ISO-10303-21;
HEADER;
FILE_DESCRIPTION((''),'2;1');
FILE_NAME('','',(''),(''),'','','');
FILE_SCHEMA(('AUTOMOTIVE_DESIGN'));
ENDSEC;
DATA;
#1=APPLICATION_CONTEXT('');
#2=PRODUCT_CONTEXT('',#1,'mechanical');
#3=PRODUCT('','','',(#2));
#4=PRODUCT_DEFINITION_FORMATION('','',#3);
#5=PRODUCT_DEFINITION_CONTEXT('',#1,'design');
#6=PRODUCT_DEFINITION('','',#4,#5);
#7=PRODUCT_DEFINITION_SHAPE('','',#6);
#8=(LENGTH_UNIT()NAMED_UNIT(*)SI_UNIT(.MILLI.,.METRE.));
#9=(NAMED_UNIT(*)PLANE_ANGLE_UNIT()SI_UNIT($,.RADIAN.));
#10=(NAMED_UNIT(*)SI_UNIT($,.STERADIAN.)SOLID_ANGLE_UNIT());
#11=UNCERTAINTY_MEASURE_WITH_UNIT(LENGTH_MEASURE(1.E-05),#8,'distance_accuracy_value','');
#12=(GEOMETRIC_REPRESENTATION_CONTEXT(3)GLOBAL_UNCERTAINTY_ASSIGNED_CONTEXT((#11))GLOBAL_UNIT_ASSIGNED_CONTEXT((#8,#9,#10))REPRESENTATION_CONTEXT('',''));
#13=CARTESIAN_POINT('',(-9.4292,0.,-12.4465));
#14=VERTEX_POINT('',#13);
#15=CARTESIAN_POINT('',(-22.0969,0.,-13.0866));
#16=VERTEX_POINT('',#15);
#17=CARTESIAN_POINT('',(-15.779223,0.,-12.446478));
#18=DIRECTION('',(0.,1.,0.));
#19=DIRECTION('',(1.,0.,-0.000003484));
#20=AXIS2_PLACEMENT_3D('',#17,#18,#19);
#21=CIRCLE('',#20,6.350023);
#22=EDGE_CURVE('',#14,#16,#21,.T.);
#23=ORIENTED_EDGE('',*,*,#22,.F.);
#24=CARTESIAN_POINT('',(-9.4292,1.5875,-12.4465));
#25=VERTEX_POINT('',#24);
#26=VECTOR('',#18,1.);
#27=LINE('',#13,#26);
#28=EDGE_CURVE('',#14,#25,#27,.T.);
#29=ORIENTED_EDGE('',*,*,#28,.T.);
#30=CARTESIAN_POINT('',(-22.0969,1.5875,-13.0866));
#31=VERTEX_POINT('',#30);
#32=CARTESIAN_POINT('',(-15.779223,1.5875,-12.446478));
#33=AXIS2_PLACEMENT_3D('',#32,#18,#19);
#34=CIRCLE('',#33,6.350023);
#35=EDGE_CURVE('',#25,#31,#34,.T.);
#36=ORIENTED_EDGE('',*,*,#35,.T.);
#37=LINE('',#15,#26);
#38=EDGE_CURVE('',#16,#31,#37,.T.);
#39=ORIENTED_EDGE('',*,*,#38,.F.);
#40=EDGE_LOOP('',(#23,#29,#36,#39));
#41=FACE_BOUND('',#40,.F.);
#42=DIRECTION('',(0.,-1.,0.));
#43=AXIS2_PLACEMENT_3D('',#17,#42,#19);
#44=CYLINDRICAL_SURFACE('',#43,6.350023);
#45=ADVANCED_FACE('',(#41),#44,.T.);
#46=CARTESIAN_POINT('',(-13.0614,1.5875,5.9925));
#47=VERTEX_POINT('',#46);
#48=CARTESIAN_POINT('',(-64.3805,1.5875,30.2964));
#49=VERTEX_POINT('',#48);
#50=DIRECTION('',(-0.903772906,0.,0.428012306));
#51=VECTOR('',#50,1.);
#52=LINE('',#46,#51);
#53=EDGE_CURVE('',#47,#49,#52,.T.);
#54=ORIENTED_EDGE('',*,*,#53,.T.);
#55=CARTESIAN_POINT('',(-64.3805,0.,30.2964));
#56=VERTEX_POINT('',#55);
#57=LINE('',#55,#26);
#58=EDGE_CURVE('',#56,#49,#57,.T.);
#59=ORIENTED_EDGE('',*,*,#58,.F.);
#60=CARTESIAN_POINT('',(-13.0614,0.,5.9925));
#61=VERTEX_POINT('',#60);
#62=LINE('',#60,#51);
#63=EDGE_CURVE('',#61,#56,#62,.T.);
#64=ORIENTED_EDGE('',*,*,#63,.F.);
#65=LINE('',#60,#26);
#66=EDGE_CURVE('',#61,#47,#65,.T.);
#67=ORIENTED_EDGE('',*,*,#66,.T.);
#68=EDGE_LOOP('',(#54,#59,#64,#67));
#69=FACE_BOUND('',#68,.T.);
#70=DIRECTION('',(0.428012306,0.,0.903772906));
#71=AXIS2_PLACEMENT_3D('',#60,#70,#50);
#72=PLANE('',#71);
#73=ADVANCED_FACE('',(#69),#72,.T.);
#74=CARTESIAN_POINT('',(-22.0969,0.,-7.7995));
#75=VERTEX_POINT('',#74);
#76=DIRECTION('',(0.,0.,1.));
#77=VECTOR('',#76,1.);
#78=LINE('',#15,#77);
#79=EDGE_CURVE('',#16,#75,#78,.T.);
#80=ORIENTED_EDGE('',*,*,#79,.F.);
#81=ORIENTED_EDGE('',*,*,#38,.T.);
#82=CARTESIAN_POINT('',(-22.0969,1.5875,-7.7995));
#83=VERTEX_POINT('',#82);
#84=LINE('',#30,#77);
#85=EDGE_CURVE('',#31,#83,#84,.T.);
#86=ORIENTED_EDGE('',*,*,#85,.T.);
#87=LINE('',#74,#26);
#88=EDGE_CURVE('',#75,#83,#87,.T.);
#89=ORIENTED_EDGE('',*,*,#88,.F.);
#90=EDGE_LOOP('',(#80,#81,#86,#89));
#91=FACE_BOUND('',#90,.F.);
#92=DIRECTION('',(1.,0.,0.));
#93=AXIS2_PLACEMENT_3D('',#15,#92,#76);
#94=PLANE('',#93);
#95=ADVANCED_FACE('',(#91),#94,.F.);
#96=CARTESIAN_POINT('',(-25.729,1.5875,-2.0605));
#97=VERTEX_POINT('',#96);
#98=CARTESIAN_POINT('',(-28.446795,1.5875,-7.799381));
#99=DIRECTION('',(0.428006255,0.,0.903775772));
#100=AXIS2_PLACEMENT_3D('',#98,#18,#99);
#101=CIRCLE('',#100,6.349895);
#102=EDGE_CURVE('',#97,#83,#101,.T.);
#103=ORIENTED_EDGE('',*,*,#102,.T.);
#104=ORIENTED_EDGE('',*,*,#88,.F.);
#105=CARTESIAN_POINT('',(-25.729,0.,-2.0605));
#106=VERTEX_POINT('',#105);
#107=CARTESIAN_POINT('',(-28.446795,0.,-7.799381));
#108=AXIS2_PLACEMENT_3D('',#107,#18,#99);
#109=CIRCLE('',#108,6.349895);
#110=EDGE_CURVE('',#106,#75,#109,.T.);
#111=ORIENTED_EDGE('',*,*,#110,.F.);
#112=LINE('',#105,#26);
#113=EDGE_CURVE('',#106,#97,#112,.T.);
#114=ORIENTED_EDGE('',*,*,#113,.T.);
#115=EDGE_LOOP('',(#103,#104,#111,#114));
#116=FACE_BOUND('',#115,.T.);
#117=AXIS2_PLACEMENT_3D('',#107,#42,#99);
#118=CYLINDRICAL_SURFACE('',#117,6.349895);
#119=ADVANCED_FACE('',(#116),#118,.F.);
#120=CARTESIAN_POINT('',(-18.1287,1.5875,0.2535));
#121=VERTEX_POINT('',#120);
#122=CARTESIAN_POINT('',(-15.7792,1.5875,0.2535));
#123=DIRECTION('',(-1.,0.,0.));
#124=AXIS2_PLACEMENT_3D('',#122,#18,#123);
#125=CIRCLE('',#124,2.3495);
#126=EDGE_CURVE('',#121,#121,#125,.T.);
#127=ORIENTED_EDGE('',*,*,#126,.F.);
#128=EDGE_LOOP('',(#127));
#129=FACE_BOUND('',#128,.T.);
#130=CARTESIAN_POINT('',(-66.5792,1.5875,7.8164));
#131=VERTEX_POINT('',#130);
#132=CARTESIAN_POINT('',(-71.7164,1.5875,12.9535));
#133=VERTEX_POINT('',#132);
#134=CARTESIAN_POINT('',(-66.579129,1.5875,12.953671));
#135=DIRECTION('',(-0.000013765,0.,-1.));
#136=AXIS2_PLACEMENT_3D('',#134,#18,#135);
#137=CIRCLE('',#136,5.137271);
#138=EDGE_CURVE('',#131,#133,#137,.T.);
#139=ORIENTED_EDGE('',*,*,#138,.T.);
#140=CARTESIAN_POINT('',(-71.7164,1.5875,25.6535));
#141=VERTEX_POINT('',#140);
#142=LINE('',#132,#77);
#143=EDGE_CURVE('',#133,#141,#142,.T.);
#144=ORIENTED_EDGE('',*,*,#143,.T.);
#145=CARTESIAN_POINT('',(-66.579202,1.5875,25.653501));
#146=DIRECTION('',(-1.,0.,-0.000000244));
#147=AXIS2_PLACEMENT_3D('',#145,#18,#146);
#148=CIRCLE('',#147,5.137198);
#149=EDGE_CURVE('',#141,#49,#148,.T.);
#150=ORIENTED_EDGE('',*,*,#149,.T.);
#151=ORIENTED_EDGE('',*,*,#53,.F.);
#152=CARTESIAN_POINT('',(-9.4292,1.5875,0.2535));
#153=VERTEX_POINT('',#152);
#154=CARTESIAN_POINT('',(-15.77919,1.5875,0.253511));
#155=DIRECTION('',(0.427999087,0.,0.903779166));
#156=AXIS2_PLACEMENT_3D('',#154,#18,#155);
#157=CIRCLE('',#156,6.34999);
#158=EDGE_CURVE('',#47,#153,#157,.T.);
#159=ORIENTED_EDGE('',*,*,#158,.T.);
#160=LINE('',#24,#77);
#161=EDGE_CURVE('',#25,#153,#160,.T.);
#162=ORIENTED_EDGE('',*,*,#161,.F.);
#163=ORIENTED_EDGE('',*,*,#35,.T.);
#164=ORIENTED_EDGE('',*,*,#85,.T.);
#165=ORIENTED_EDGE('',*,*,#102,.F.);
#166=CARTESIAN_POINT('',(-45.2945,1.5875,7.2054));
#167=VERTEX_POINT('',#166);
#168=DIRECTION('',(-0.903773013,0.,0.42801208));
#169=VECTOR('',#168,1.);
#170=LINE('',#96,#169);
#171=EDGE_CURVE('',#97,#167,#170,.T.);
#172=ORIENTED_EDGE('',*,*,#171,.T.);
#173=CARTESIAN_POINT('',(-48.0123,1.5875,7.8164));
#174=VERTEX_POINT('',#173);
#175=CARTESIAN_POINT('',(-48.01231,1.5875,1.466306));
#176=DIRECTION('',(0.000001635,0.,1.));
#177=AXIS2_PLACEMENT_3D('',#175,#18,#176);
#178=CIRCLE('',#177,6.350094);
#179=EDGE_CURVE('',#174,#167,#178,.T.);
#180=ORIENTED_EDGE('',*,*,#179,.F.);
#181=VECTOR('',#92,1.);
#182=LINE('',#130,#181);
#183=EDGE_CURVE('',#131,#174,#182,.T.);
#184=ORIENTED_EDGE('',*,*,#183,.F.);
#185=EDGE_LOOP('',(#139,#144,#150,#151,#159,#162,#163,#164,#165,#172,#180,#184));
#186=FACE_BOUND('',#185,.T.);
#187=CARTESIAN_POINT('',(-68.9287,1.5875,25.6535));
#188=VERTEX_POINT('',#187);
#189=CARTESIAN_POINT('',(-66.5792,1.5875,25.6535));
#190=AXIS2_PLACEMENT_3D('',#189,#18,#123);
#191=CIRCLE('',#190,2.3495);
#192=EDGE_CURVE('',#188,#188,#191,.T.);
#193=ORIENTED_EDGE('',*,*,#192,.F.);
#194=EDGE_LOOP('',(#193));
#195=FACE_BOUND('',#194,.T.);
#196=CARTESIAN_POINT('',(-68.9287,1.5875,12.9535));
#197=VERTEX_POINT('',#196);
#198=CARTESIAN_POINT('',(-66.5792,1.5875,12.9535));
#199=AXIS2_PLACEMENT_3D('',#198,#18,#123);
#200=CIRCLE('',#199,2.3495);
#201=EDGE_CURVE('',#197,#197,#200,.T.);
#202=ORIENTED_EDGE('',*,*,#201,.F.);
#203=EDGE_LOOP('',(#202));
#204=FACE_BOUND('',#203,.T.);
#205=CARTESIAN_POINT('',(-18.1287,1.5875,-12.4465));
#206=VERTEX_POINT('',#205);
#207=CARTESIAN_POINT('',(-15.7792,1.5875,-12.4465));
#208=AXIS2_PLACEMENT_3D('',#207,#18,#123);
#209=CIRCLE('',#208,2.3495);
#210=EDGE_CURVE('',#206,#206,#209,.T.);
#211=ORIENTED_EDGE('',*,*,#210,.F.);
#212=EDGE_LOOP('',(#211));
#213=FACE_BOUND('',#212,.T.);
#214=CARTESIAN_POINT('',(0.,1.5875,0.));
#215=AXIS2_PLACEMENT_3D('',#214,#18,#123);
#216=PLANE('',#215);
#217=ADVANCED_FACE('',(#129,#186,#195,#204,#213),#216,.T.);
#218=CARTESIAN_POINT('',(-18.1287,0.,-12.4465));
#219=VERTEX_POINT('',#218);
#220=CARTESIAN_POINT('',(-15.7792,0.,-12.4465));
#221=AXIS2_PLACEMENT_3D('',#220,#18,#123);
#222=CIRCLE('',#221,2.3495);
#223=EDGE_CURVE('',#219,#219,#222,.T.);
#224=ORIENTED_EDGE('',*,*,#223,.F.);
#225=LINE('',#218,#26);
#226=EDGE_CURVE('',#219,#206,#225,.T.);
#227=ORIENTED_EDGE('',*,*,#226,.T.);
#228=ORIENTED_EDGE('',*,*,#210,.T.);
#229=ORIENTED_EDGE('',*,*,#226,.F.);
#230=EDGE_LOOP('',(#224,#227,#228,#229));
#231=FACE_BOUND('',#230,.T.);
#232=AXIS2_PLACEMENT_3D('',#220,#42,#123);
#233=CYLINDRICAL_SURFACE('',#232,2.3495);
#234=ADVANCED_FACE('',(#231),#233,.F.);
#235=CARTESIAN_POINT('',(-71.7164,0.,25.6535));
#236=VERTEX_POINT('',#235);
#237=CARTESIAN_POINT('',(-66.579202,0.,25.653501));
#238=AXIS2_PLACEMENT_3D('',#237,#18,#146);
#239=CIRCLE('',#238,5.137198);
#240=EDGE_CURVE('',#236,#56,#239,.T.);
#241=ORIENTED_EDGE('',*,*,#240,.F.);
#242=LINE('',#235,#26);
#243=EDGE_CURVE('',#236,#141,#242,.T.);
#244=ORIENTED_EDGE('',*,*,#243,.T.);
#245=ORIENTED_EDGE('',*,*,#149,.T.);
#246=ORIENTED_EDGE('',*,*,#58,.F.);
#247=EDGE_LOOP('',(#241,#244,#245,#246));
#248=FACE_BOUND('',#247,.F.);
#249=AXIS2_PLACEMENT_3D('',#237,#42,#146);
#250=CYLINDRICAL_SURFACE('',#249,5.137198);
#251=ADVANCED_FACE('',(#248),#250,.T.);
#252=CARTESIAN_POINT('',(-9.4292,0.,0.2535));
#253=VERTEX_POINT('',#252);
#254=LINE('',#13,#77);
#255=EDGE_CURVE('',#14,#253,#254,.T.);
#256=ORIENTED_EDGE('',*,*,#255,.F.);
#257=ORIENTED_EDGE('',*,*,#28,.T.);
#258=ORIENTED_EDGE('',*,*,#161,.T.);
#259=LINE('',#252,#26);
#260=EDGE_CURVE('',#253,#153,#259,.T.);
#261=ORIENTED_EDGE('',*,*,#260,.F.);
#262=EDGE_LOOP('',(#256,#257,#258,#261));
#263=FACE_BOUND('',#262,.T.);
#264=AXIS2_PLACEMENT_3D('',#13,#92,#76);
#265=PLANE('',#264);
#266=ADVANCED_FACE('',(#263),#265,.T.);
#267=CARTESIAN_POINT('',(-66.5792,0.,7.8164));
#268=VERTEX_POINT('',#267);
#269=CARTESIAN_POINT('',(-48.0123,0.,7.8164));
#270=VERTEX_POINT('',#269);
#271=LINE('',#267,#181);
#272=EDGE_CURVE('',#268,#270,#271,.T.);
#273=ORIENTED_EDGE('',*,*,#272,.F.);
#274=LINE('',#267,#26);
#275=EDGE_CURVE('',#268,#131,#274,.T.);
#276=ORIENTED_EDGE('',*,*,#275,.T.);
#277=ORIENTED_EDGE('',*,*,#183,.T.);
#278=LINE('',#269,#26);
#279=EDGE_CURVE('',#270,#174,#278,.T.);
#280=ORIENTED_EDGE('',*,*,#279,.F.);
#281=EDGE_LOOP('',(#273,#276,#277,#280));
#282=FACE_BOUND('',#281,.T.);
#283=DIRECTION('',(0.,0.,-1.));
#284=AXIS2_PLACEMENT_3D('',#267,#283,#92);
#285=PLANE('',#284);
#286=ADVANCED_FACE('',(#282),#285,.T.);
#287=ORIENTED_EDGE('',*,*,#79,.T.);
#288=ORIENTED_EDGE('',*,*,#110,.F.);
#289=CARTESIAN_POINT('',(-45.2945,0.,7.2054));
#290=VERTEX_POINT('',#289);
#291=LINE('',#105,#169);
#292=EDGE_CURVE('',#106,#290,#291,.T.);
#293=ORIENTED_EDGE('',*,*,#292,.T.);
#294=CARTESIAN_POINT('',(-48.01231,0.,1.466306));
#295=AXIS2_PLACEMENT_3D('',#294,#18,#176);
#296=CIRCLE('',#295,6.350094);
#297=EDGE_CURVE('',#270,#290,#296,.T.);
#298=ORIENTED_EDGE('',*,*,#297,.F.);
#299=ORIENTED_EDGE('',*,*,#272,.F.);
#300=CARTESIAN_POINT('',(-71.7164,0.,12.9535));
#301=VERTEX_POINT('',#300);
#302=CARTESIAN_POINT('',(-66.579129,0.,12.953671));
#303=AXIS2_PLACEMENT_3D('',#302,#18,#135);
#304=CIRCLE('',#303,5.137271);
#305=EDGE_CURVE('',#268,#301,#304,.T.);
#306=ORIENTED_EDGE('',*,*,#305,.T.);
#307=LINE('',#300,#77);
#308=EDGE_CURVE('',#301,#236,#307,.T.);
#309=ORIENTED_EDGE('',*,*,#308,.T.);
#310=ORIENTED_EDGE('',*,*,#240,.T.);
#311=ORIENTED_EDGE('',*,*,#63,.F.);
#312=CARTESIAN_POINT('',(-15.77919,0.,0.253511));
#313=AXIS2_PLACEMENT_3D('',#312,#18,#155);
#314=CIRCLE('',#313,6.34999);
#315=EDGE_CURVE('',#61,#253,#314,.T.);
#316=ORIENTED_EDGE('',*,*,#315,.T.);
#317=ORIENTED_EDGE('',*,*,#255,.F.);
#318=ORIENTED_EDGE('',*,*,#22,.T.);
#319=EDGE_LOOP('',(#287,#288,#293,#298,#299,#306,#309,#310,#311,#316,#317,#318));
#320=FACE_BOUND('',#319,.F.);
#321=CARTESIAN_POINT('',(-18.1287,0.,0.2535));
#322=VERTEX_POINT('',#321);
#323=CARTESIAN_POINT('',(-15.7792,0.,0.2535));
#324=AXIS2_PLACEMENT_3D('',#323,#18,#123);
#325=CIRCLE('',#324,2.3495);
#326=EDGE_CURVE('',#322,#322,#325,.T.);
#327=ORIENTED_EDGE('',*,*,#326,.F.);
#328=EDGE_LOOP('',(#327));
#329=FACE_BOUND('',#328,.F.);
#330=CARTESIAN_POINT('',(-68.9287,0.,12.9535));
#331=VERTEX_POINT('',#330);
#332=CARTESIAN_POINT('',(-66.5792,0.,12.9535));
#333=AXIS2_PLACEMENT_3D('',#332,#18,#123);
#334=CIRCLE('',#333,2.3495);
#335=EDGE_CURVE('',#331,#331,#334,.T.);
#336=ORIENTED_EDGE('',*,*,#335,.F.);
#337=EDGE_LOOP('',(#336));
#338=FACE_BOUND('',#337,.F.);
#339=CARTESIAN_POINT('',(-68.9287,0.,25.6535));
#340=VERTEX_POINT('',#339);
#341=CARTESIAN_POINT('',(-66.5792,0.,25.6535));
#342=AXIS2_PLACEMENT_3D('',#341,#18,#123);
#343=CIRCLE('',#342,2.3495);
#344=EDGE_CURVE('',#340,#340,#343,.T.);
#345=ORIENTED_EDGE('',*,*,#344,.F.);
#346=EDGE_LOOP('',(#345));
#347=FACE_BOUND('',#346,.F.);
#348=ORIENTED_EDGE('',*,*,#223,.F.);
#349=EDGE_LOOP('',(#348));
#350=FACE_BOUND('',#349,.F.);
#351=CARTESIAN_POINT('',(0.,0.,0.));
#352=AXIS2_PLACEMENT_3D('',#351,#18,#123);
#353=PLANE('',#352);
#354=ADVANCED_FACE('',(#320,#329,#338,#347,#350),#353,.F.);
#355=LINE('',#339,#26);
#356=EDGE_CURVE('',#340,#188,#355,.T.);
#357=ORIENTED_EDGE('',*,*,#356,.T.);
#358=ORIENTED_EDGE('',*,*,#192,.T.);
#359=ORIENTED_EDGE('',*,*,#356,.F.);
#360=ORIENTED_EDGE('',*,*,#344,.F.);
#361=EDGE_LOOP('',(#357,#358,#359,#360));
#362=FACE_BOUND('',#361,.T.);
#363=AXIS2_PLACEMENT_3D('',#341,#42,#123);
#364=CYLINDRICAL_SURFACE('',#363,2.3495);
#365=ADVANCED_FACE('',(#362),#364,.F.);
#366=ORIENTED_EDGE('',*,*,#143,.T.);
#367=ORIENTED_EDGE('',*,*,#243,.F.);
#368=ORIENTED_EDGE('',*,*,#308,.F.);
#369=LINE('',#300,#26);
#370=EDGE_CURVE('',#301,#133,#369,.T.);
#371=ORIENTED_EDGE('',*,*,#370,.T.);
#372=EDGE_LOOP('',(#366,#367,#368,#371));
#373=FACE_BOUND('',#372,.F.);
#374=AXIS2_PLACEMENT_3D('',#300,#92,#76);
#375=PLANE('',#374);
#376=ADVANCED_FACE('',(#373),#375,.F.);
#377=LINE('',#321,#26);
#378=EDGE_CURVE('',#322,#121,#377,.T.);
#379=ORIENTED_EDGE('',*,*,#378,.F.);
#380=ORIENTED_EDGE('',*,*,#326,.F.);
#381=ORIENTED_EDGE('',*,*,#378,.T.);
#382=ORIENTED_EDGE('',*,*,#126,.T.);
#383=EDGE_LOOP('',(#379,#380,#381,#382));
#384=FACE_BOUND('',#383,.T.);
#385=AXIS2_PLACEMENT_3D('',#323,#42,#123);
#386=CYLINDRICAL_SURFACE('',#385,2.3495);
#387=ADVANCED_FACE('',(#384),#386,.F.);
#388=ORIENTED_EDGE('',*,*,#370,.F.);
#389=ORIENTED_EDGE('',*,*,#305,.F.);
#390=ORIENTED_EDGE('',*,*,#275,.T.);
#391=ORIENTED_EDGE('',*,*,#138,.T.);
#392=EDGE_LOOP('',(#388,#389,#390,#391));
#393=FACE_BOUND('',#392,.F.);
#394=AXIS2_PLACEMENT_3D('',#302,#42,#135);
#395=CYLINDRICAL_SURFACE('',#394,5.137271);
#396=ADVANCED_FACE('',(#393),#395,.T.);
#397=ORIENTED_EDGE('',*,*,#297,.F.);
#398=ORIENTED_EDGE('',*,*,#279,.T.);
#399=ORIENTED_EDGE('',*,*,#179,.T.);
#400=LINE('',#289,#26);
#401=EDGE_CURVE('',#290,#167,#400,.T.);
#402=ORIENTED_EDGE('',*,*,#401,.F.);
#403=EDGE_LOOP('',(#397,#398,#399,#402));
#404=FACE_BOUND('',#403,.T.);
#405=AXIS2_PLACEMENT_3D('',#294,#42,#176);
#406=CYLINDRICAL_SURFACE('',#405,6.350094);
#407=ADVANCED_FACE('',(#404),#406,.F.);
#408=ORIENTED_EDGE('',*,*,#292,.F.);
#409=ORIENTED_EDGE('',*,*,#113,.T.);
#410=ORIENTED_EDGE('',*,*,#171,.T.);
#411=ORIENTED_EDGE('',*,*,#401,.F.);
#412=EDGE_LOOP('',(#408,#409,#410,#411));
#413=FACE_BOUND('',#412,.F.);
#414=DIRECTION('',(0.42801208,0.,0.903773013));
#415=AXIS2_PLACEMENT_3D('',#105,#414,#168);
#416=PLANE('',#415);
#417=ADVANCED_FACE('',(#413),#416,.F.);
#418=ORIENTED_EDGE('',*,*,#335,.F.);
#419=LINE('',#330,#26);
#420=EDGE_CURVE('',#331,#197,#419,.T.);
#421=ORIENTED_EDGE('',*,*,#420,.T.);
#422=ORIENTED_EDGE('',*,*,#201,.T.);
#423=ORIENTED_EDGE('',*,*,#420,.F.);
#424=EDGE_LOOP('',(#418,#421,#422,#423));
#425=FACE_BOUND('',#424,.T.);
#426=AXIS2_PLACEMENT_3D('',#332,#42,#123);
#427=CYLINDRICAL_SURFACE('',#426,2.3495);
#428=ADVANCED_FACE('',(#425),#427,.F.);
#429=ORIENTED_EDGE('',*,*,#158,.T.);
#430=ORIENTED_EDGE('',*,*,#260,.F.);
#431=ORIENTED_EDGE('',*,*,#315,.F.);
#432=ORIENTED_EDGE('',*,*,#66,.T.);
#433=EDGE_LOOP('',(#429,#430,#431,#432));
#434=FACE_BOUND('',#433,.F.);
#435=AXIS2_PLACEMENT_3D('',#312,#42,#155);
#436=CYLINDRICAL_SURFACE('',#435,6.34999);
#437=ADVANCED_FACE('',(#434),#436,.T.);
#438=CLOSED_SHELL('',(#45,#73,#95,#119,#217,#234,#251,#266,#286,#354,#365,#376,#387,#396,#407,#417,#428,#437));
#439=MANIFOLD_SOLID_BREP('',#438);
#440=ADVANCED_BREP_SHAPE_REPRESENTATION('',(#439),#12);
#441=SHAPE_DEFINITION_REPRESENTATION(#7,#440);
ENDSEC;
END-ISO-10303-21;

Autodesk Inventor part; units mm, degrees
ref_plane "YZ Plane" through (0, 0, 0) normal (1, 0, 0) x (0, 1, 0)
ref_plane "XZ Plane" through (0, 0, 0) normal (0, 1, 0) x (-1, 0, 0)
ref_plane "XY Plane" through (0, 0, 0) normal (0, 0, 1) x (1, 0, 0)
sketch "Sketch1" plane through (0, 0, 0) normal (0, 1, 0) x (-1, 0, 0)
  circle A0 centre (15.7792, 0.2535) radius 2.1844 construction
  circle A1 centre (66.5792, 25.6535) radius 2.1844 construction
  circle A2 centre (66.5792, 12.9535) radius 2.1844 construction
  circle A3 centre (15.7792, -12.4465) radius 2.1844 construction
  circle A4 centre (15.7792, -12.4465) radius 2.3495
  circle A5 centre (15.7792, 0.2535) radius 2.3495
  circle A6 centre (66.5792, 12.9535) radius 2.3495
  circle A7 centre (66.5792, 25.6535) radius 2.3495
  line L0 (71.7164, -18.7965) -> (71.7164, 32.0035) construction
  arc A8 (71.7164, 25.6535) -> (64.3805, 30.2964) centre (66.5792, 25.6535) ccw
  arc A9 (9.4292, -12.4465) -> (22.0969, -13.0866) centre (15.7792, -12.4465) ccw
  line L1 (71.7164, 12.9535) -> (71.7164, 25.6535)
  line L2 (9.4292, -12.4465) -> (9.4292, 0.2535)
  line L3 (13.0614, 5.9925) -> (64.3805, 30.2964)
  line L4 (66.5792, 7.8164) -> (48.0123, 7.8164)
  line L5 (25.729, -2.0605) -> (45.2945, 7.2054)
  line L6 (22.0969, -13.0866) -> (22.0969, -7.7995)
  arc A10 (13.0614, 5.9925) -> (9.4292, 0.2535) centre (15.7792, 0.2535) ccw
  arc A11 (66.5792, 7.8164) -> (71.7164, 12.9535) centre (66.5792, 12.9535) ccw
  arc A12 (48.0123, 7.8164) -> (45.2945, 7.2054) centre (48.0123, 1.4664) ccw
  arc A13 (25.729, -2.0605) -> (22.0969, -7.7995) centre (28.4469, -7.7995) ccw
  point P0 (0, 0)
  dimension "d0" = 4.699
  dimension "d1" = 4.699
  dimension "d2" = 4.699
  dimension "d3" = 4.699
  dimension "d5" = 12.7
  dimension "d7" = 6.35
  dimension "d8" = 6.35
  dimension "d9" = 12.7
extrude "Plate1" add sketch "Sketch1" along normal blind 1.5875
equation "\"d10\" = Thickness"
equation "\"BendRadius\" = Thickness"
equation "\"BendReliefWidth\" = Thickness"
equation "\"BendReliefDepth\" = 0.5 * Thickness"
equation "\"CornerReliefSize\" = 4 * Thickness"
equation "\"MinimumRemnant\" = 2 * Thickness"
equation "\"TransitionRadius\" = BendRadius"
equation "\"JacobiRadiusSize\" = BendRadius"
equation "\"GapSize\" = Thickness"
equation "\"Thickness\" = 1.5875"
properties part number "frontgussets"
